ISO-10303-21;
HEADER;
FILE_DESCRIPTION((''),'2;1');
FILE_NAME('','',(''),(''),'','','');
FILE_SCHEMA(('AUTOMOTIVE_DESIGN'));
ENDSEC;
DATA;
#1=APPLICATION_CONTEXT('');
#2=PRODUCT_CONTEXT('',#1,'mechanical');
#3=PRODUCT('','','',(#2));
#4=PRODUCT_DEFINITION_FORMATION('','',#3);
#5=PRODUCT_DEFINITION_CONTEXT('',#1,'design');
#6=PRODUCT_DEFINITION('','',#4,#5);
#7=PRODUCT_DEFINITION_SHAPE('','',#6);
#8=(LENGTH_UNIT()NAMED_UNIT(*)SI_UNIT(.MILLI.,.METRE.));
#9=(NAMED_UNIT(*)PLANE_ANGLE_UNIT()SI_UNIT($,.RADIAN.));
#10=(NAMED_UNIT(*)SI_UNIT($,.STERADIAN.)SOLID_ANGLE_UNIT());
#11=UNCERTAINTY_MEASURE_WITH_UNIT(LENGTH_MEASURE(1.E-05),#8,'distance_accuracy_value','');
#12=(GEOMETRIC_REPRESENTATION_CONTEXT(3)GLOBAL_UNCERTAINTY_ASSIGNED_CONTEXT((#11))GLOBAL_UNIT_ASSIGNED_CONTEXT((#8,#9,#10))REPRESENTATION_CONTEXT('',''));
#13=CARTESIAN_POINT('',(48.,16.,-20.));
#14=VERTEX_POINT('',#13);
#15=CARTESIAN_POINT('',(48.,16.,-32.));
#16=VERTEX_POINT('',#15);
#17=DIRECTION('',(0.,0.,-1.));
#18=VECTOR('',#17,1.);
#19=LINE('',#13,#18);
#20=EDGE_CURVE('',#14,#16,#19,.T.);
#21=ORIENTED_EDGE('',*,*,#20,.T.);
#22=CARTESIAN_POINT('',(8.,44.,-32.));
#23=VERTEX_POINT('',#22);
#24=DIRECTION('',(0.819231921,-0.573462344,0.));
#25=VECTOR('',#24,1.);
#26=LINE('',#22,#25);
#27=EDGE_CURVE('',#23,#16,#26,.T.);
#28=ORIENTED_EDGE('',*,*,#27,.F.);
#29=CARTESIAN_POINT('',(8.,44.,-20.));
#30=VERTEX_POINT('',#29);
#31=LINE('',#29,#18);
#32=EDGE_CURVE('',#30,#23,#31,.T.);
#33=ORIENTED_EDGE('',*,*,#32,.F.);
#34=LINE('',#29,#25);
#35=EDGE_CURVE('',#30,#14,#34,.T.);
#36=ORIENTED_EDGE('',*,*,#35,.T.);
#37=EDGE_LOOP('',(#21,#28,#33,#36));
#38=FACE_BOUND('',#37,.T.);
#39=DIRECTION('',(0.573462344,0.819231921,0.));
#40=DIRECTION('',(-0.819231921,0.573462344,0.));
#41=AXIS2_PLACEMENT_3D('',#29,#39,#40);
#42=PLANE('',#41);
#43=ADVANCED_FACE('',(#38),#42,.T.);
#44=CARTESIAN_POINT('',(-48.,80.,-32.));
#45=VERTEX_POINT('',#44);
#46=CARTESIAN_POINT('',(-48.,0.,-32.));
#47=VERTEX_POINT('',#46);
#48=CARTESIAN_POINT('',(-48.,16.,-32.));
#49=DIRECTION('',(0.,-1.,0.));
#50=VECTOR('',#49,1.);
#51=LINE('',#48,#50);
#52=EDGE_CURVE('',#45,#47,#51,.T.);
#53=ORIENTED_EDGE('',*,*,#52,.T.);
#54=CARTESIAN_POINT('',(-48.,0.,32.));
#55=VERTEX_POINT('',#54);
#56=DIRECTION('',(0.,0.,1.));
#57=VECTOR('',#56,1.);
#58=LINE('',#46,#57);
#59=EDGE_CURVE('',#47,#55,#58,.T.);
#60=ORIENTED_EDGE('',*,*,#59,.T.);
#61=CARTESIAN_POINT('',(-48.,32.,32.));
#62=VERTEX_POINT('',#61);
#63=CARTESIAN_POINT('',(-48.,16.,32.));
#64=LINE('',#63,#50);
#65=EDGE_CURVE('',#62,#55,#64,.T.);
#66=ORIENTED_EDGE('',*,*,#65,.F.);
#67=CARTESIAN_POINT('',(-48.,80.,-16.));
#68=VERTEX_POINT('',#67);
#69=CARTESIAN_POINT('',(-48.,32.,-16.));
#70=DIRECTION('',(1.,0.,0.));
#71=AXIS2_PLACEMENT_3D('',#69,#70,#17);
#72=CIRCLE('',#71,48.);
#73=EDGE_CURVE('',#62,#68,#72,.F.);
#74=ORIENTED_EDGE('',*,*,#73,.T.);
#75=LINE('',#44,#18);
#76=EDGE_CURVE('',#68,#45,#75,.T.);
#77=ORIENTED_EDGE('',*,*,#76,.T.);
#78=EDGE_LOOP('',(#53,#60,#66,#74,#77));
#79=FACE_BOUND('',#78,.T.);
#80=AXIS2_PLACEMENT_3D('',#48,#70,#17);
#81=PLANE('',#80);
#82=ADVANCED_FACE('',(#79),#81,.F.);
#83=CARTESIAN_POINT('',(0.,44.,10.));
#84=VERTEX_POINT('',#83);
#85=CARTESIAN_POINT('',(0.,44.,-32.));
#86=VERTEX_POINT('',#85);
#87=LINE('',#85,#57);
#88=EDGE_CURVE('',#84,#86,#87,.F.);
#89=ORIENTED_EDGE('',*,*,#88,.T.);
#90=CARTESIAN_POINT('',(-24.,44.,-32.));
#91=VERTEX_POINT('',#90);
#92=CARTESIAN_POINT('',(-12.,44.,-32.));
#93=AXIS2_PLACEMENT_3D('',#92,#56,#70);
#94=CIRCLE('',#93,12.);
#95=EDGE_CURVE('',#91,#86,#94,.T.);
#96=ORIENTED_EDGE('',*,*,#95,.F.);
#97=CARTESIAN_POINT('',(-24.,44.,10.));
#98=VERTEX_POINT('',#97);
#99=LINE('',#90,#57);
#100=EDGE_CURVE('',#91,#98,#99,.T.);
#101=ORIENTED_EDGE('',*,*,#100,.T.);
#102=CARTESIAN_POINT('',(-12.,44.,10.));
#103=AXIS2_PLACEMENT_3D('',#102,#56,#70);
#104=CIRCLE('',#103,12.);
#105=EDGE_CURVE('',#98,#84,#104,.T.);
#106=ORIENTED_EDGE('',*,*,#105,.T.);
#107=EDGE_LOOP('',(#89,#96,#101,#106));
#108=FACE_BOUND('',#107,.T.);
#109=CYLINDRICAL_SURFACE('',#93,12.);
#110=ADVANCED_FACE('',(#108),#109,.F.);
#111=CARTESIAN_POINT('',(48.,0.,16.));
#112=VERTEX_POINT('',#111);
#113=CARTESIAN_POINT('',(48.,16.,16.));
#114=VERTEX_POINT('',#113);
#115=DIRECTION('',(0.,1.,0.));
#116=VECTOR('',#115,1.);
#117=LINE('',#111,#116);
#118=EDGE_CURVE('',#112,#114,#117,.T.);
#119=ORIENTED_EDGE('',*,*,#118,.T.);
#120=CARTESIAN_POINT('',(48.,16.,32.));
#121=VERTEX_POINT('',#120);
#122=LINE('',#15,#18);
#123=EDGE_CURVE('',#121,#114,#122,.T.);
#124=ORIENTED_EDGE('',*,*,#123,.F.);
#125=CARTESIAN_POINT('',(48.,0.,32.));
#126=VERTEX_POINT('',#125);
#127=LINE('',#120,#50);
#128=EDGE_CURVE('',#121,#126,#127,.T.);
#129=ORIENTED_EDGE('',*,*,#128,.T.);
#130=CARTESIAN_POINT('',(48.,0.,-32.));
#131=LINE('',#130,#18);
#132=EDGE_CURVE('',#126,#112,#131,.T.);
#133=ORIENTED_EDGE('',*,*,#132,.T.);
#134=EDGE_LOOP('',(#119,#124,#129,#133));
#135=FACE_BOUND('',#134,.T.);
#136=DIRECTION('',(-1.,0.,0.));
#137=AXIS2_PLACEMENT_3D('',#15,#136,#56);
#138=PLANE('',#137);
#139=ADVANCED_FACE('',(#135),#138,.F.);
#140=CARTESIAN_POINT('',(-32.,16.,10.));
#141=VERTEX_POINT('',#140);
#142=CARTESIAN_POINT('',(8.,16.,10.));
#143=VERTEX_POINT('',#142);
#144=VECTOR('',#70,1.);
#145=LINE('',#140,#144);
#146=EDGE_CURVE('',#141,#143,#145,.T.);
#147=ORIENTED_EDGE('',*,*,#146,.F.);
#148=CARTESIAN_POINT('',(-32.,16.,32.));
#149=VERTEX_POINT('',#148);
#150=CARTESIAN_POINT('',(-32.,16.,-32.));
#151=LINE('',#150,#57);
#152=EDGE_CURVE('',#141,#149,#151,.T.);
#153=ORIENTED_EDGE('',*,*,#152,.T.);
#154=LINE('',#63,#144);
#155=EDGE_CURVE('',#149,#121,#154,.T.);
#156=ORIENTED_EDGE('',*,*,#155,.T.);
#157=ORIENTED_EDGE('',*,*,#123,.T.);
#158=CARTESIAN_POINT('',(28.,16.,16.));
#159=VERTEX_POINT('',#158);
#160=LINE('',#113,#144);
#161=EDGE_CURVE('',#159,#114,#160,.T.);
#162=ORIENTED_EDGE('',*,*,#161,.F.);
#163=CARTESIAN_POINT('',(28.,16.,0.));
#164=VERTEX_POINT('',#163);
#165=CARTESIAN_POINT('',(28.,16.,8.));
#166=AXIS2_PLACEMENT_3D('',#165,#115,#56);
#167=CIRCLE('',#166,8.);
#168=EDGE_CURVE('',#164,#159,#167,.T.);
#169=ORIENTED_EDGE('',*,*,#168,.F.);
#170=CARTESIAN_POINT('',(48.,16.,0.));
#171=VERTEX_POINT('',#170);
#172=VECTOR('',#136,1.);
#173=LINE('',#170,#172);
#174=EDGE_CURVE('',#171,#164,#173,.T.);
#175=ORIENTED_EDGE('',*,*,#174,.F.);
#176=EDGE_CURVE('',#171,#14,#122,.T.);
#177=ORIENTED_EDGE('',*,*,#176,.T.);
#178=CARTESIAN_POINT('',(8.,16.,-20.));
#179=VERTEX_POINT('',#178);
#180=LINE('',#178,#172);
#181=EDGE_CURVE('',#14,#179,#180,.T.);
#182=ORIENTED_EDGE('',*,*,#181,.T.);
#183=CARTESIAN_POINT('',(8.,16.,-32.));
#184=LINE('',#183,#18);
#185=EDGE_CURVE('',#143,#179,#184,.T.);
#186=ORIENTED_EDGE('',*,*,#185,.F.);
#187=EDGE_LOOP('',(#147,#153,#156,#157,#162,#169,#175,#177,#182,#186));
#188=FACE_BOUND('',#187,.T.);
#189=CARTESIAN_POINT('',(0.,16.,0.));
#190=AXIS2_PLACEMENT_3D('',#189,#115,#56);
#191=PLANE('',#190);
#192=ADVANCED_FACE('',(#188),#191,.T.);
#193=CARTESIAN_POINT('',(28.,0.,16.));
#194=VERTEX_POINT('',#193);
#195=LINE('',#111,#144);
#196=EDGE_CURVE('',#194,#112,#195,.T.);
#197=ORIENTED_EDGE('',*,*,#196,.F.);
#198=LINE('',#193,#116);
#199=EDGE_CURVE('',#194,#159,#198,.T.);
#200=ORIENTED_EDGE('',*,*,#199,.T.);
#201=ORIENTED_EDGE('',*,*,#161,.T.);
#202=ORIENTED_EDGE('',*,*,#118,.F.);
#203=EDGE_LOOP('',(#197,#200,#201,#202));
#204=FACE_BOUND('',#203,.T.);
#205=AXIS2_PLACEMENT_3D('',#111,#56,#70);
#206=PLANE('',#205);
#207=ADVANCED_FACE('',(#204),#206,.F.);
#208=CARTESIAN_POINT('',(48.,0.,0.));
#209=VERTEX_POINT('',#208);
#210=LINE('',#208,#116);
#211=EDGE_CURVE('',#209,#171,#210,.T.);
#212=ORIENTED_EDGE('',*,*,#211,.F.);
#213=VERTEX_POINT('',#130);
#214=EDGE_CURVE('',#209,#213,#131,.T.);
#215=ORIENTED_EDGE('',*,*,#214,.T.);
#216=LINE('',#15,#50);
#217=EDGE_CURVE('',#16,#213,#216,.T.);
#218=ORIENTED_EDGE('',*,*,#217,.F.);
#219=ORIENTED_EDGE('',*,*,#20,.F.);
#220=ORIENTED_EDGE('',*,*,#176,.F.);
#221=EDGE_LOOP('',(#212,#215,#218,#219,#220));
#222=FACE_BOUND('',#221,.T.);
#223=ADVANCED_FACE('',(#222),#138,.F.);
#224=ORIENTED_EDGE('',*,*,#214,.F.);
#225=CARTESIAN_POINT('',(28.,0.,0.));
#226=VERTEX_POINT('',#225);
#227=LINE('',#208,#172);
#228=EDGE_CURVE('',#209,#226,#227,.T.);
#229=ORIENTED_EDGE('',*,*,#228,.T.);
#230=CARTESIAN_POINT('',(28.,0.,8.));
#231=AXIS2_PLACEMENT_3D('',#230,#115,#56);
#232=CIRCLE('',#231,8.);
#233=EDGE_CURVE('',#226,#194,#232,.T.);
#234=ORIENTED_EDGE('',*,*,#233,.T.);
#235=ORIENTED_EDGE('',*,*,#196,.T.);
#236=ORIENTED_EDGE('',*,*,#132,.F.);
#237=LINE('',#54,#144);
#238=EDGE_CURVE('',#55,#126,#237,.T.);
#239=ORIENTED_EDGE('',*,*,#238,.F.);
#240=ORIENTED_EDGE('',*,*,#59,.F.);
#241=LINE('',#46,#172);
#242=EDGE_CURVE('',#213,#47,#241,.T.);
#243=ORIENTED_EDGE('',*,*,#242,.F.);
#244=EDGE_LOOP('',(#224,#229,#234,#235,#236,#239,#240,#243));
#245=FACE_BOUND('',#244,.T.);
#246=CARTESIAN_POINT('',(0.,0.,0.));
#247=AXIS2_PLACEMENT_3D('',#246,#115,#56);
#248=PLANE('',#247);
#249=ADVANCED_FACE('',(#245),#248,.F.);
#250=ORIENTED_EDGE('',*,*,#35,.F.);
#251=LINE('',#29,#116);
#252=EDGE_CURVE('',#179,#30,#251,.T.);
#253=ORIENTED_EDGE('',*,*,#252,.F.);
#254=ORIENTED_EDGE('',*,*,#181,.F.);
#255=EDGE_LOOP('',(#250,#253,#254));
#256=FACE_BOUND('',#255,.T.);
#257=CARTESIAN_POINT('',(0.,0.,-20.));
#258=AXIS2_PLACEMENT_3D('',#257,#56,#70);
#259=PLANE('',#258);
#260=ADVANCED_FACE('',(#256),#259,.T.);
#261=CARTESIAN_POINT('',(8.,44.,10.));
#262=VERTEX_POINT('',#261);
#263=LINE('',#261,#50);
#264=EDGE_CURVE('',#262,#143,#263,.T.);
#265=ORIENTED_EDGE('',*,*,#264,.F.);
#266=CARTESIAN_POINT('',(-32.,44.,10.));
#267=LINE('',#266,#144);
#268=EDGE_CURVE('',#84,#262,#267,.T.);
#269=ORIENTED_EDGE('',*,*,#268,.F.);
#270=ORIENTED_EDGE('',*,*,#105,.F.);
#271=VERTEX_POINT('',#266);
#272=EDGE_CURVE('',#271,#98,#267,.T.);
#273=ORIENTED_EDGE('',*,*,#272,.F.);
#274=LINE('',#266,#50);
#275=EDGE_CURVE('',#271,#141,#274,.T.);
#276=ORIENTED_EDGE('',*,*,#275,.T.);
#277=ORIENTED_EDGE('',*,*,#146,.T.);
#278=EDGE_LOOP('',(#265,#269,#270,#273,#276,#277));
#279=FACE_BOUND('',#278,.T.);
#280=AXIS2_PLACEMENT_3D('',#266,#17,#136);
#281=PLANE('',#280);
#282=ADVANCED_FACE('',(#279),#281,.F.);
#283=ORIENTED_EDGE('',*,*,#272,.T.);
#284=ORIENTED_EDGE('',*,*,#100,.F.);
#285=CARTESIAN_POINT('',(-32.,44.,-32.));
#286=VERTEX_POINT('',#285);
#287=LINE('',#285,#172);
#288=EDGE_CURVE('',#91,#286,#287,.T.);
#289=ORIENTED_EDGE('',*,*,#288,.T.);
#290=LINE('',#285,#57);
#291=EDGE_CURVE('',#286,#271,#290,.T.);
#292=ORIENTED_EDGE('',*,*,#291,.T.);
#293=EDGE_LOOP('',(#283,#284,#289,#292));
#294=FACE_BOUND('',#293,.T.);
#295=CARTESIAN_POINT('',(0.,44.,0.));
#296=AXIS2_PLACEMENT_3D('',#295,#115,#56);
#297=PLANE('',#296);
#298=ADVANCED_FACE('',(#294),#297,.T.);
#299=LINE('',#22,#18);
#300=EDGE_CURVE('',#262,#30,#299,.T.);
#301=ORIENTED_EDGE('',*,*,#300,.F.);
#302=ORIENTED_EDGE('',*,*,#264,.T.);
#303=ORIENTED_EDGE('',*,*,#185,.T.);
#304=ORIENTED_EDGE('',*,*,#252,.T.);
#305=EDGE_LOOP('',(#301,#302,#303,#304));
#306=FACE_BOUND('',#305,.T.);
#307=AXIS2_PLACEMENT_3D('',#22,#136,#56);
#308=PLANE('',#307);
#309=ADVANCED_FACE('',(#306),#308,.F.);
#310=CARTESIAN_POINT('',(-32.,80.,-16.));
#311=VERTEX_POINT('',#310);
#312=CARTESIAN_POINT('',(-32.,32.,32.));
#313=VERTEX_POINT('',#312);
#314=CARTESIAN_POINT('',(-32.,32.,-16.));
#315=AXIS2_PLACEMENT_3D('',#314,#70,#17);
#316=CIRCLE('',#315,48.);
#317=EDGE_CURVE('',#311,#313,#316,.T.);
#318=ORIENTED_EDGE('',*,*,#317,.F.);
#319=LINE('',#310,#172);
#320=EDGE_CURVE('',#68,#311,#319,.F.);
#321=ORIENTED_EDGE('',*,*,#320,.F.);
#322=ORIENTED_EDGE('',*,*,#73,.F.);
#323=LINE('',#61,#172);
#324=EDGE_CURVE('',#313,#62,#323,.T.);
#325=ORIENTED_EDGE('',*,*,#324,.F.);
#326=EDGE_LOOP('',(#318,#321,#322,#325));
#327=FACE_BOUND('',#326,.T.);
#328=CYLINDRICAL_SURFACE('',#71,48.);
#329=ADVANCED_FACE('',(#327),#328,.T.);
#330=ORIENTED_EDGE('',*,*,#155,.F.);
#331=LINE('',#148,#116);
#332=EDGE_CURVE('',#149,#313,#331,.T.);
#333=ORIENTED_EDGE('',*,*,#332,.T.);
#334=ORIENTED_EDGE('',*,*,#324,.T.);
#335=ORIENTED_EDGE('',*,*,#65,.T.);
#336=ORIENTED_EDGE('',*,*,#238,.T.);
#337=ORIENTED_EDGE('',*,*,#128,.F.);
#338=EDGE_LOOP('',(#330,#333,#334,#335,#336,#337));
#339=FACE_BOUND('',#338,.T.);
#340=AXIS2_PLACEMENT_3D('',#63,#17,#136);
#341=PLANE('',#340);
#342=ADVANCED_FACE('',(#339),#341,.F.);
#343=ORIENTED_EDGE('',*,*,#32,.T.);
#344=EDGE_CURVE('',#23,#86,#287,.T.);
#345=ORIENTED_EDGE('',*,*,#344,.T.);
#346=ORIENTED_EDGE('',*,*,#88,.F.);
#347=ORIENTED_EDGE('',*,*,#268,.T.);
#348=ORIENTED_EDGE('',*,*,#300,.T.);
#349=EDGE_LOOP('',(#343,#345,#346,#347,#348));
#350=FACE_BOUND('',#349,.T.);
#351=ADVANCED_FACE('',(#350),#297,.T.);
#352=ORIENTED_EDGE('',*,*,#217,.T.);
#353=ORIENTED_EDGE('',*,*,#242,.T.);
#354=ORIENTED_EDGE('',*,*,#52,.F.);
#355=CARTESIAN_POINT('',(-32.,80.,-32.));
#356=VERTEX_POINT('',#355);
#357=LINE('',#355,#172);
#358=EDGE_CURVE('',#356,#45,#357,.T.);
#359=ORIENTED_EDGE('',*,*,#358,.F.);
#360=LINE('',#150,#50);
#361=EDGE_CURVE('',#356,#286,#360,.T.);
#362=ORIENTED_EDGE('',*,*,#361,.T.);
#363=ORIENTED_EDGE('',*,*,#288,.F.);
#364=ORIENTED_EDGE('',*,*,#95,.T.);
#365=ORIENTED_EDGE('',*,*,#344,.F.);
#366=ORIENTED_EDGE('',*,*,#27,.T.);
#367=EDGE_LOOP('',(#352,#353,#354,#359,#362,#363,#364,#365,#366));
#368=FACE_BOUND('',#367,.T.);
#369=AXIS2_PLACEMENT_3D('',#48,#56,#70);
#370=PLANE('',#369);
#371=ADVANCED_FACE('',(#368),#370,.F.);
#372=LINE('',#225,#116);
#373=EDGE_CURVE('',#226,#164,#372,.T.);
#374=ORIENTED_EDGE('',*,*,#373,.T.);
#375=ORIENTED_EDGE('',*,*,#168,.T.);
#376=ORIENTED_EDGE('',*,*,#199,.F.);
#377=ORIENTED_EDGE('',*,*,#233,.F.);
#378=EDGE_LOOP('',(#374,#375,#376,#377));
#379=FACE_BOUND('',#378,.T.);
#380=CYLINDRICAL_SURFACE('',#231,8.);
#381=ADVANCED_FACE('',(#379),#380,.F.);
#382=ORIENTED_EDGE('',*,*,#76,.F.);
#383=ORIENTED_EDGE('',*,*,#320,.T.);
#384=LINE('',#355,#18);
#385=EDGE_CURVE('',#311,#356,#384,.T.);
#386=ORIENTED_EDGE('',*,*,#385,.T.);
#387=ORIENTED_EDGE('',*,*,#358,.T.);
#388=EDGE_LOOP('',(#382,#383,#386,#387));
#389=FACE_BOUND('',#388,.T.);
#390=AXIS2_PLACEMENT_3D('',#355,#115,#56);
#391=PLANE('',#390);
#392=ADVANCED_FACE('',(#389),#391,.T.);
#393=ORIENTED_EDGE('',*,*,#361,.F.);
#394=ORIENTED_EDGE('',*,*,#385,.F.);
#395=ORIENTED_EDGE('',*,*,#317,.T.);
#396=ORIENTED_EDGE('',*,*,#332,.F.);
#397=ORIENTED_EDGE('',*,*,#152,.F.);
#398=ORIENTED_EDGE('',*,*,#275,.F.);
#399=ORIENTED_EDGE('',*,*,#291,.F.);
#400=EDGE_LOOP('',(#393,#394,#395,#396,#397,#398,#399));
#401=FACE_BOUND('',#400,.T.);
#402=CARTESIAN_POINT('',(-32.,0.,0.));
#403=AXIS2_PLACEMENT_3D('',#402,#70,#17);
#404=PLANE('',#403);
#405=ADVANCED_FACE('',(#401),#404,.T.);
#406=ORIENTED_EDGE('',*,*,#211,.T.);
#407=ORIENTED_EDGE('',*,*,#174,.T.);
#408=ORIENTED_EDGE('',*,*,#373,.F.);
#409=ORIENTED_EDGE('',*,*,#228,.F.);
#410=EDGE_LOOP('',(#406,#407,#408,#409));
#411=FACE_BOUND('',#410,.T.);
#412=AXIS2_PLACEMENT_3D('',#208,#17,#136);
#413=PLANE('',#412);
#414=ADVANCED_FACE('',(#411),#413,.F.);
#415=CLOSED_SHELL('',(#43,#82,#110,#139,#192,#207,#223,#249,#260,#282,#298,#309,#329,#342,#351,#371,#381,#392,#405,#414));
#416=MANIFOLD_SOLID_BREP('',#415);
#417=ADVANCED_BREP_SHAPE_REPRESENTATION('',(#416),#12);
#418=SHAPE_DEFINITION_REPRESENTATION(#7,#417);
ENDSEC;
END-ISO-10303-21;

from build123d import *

# Parameters (mm, degrees)
SKETCH1_W           = 96
SKETCH1_H           = 64
BOSS_EXTRUDE1_DEPTH = 16
SKETCH2_W           = 64
SKETCH2_H           = 64
BOSS_EXTRUDE2_DEPTH = 16
FILLET2_R           = 48
SKETCH3_W           = 40
SKETCH3_H           = 42
BOSS_EXTRUDE3_DEPTH = 28
SKETCH4_R           = 12
CUT_EXTRUDE1_DEPTH  = 103.313244499
CUT_EXTRUDE2_DEPTH  = 87.162636914
BOSS_EXTRUDE5_DEPTH = 12


with BuildPart() as part:
    # Sketch1 → Boss-Extrude1 (new body)
    with BuildSketch(Plane(origin=(0, 0, 0), x_dir=(1, 0, 0), z_dir=(0, 1, 0))):
        Rectangle(SKETCH1_W, SKETCH1_H)
    extrude(amount=BOSS_EXTRUDE1_DEPTH)

    # Sketch2 → Boss-Extrude2 (add)
    with BuildSketch(Plane.ZY.offset(48)):
        with Locations((0, 48)):
            Rectangle(SKETCH2_W, SKETCH2_H)
    extrude(amount=-BOSS_EXTRUDE2_DEPTH)

    # Fillet2
    fillet2_edges = [part.edges().sort_by_distance(p)[0] for p in [
        (-40, 80, 32),
    ]]
    fillet(fillet2_edges, radius=FILLET2_R)

    # Sketch3 → Boss-Extrude3 (add)
    with BuildSketch(Plane(origin=(0, 16, 0), x_dir=(1, 0, 0), z_dir=(0, 1, 0))):
        with Locations((-12, 11)):
            Rectangle(SKETCH3_W, SKETCH3_H)
    extrude(amount=BOSS_EXTRUDE3_DEPTH)

    # Sketch4 → Cut-Extrude1 (cut, through all)
    with BuildSketch(Plane.XY.offset(10)):
        with Locations((-12, 44)):
            Circle(SKETCH4_R)
    extrude(amount=-CUT_EXTRUDE1_DEPTH, mode=Mode.SUBTRACT)

    # Sketch6 → Cut-Extrude2 (cut, through all)
    with BuildSketch(Plane(origin=(0, 16, 0), x_dir=(1, 0, 0), z_dir=(0, 1, 0))):
        with BuildLine():
            Line((48, -16), (28, -16))
            ThreePointArc((28, -16), (20, -8), (28, 0))
            Line((28, 0), (48, 0))
            ThreePointArc((48, 0), (56, -8), (48, -16))
        make_face()
    extrude(amount=-CUT_EXTRUDE2_DEPTH, mode=Mode.SUBTRACT)

    # Sketch7 → Boss-Extrude5 (add)
    with BuildSketch(Plane(origin=(0, 0, -32), x_dir=(-1, 0, 0), z_dir=(0, 0, -1))):
        Polygon((-8, 44), (-48, 16), (-8, 16), align=None)
    extrude(amount=-BOSS_EXTRUDE5_DEPTH)


solid = part.part
